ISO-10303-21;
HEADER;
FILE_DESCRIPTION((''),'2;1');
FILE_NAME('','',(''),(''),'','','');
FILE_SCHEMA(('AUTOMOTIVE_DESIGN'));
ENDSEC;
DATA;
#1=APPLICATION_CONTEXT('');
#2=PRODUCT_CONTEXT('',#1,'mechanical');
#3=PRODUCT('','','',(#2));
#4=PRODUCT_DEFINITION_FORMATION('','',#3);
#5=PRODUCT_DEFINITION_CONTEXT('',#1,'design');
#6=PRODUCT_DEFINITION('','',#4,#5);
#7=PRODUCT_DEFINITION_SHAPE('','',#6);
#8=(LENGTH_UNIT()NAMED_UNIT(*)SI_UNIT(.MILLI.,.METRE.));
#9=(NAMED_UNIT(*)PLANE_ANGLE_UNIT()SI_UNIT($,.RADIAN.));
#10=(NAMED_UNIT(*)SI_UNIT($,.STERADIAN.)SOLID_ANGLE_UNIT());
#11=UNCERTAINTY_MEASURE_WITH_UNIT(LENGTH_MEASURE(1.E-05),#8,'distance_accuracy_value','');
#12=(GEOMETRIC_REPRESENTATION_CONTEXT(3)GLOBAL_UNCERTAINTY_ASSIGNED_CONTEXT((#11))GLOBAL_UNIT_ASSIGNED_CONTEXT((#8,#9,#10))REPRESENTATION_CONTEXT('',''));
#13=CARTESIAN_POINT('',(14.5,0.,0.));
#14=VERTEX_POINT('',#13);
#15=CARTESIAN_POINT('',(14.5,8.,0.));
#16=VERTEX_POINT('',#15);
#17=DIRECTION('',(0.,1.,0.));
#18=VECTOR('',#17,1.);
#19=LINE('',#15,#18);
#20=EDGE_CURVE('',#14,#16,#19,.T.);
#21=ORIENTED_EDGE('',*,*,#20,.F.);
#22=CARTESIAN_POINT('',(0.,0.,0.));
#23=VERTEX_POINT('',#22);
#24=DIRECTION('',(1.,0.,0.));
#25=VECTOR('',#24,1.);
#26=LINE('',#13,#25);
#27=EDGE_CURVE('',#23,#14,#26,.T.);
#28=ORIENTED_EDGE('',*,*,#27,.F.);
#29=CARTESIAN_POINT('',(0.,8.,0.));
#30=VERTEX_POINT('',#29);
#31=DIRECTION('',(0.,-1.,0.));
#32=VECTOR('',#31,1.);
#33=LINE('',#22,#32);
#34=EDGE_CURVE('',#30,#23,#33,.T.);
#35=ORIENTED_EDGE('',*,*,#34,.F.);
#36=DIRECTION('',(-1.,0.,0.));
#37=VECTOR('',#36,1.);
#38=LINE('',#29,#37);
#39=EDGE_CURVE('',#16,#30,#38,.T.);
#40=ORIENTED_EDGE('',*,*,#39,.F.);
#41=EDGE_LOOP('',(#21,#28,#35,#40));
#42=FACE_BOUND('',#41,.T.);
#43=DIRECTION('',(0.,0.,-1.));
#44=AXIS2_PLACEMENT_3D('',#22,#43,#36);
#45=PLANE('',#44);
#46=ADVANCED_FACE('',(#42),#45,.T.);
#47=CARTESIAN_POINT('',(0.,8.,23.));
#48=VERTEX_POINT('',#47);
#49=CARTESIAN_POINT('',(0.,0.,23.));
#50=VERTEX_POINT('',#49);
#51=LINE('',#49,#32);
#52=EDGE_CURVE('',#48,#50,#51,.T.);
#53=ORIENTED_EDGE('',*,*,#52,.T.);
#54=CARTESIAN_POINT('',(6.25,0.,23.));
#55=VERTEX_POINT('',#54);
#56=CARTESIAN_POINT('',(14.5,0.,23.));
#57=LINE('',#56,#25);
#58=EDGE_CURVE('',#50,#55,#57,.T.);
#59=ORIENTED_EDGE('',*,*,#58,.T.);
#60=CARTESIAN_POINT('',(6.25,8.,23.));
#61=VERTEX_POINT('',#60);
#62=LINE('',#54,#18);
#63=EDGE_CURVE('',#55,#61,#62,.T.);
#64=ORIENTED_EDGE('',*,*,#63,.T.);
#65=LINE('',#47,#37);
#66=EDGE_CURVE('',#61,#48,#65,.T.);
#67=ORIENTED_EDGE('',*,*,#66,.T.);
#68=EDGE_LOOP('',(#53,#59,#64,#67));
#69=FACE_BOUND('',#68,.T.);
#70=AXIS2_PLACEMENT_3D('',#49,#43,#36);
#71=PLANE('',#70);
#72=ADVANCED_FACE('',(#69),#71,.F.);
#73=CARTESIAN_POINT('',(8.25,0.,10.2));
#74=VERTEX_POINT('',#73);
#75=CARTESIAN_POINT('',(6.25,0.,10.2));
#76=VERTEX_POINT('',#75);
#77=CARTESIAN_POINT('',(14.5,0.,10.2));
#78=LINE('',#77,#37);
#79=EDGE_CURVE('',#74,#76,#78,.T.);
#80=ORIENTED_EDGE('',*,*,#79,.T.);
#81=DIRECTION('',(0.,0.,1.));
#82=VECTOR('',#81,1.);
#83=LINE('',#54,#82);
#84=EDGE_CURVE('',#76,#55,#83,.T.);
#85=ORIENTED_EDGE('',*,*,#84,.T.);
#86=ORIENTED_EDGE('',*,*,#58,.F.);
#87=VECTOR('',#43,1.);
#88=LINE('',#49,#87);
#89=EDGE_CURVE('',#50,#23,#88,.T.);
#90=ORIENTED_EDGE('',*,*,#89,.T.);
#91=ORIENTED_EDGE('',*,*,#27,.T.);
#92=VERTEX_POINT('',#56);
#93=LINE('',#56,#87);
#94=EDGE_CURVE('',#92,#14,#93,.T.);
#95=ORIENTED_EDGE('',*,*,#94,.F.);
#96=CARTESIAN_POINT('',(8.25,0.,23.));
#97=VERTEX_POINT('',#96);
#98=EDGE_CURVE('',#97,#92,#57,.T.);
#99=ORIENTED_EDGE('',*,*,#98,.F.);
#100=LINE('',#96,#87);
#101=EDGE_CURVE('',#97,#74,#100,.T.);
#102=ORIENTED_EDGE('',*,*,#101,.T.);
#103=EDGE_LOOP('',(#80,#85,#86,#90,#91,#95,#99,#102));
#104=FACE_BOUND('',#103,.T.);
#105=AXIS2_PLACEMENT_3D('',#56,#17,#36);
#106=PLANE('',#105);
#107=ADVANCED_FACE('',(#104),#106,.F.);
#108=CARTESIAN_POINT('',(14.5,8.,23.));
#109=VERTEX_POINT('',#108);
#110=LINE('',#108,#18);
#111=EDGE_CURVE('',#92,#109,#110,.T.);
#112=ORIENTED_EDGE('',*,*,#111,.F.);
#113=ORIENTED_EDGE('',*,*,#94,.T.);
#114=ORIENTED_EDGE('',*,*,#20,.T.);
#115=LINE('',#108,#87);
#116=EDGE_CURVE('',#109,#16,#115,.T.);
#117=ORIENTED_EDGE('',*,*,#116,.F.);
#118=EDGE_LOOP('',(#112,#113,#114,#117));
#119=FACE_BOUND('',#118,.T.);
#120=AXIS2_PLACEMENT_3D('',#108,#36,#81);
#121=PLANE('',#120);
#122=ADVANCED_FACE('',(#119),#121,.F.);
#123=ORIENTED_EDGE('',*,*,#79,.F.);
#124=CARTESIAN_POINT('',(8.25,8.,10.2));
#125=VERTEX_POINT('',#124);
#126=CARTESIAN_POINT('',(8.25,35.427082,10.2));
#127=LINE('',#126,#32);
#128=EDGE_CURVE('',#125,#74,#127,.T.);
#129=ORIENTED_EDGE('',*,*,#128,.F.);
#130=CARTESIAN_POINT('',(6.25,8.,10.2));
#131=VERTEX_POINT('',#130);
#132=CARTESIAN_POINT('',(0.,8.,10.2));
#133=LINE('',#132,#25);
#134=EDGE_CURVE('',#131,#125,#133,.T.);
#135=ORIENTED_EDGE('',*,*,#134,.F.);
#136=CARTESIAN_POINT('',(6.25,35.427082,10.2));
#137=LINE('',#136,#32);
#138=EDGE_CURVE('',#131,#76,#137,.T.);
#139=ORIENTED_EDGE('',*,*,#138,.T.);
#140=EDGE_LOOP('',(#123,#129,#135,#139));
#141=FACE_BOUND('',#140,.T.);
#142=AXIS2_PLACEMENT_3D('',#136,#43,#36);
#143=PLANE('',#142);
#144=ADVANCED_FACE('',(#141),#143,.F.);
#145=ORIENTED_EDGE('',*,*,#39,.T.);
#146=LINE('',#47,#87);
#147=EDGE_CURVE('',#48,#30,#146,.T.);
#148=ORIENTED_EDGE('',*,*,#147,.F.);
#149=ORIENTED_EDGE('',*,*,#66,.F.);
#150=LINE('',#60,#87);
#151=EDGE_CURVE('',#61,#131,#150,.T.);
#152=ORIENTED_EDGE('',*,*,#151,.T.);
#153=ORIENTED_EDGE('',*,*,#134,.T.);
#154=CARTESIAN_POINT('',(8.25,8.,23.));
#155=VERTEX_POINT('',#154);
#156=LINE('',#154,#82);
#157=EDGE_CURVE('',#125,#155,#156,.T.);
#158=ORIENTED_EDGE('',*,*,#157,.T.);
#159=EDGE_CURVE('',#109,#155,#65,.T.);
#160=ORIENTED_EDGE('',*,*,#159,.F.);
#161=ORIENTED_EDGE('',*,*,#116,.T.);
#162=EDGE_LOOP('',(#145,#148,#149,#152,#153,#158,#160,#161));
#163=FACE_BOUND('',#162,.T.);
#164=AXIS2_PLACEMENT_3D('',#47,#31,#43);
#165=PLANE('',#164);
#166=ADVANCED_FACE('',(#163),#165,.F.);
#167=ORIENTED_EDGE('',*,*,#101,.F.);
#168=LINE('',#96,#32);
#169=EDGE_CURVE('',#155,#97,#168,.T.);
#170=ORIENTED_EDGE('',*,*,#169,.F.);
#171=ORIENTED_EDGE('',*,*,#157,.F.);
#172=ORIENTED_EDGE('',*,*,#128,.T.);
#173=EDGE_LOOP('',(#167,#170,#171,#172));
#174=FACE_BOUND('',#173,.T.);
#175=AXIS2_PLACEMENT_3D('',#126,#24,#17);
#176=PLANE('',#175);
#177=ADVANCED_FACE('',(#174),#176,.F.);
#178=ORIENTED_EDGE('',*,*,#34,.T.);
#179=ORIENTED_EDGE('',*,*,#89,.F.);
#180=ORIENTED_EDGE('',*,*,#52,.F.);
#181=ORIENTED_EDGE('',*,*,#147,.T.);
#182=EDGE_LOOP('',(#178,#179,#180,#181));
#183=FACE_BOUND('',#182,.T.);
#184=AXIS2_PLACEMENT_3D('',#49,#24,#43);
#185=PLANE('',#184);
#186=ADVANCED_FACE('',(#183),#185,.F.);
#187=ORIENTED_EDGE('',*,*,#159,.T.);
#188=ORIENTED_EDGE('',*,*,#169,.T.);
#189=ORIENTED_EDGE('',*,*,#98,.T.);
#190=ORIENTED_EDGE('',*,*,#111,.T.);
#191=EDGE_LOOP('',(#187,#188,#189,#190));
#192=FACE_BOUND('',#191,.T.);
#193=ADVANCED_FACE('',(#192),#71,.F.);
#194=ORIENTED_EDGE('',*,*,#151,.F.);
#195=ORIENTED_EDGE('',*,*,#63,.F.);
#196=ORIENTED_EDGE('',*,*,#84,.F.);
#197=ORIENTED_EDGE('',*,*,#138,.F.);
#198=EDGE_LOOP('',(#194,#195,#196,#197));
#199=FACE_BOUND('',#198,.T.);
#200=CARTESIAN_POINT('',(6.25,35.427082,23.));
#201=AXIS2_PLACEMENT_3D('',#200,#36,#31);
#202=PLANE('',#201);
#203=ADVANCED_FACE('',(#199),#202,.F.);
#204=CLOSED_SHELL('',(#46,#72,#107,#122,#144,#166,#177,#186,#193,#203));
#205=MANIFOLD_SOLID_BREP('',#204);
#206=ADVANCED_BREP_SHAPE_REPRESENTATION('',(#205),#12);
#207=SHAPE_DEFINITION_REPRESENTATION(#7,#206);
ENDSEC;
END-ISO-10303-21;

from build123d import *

# Parameters (mm, degrees)
SKETCH1_W               = 14.5
SKETCH1_H               = 8
BOSS_EXTRUDE1_DEPTH     = 23
CUT_EXTRUDE1_DEPTH      = 29.341665442
CUT_EXTRUDE1_DEPTH_BACK = 29.341665442
SKETCH2_W               = 2
SKETCH2_H               = 12.8


with BuildPart() as part:
    # Sketch1 → Boss-Extrude1 (new body)
    with BuildSketch(Plane.XY):
        with Locations((7.25, 4)):
            Rectangle(SKETCH1_W, SKETCH1_H)
    extrude(amount=BOSS_EXTRUDE1_DEPTH)

    # Sketch2 → Cut-Extrude1 (cut, two sides: drawn at the far end of the back side and taken through both)
    with BuildSketch(Plane.XZ.offset(-CUT_EXTRUDE1_DEPTH_BACK)):
        with Locations((7.25, 16.6)):
            Rectangle(SKETCH2_W, SKETCH2_H)
    extrude(amount=CUT_EXTRUDE1_DEPTH + CUT_EXTRUDE1_DEPTH_BACK, mode=Mode.SUBTRACT)


solid = part.part
